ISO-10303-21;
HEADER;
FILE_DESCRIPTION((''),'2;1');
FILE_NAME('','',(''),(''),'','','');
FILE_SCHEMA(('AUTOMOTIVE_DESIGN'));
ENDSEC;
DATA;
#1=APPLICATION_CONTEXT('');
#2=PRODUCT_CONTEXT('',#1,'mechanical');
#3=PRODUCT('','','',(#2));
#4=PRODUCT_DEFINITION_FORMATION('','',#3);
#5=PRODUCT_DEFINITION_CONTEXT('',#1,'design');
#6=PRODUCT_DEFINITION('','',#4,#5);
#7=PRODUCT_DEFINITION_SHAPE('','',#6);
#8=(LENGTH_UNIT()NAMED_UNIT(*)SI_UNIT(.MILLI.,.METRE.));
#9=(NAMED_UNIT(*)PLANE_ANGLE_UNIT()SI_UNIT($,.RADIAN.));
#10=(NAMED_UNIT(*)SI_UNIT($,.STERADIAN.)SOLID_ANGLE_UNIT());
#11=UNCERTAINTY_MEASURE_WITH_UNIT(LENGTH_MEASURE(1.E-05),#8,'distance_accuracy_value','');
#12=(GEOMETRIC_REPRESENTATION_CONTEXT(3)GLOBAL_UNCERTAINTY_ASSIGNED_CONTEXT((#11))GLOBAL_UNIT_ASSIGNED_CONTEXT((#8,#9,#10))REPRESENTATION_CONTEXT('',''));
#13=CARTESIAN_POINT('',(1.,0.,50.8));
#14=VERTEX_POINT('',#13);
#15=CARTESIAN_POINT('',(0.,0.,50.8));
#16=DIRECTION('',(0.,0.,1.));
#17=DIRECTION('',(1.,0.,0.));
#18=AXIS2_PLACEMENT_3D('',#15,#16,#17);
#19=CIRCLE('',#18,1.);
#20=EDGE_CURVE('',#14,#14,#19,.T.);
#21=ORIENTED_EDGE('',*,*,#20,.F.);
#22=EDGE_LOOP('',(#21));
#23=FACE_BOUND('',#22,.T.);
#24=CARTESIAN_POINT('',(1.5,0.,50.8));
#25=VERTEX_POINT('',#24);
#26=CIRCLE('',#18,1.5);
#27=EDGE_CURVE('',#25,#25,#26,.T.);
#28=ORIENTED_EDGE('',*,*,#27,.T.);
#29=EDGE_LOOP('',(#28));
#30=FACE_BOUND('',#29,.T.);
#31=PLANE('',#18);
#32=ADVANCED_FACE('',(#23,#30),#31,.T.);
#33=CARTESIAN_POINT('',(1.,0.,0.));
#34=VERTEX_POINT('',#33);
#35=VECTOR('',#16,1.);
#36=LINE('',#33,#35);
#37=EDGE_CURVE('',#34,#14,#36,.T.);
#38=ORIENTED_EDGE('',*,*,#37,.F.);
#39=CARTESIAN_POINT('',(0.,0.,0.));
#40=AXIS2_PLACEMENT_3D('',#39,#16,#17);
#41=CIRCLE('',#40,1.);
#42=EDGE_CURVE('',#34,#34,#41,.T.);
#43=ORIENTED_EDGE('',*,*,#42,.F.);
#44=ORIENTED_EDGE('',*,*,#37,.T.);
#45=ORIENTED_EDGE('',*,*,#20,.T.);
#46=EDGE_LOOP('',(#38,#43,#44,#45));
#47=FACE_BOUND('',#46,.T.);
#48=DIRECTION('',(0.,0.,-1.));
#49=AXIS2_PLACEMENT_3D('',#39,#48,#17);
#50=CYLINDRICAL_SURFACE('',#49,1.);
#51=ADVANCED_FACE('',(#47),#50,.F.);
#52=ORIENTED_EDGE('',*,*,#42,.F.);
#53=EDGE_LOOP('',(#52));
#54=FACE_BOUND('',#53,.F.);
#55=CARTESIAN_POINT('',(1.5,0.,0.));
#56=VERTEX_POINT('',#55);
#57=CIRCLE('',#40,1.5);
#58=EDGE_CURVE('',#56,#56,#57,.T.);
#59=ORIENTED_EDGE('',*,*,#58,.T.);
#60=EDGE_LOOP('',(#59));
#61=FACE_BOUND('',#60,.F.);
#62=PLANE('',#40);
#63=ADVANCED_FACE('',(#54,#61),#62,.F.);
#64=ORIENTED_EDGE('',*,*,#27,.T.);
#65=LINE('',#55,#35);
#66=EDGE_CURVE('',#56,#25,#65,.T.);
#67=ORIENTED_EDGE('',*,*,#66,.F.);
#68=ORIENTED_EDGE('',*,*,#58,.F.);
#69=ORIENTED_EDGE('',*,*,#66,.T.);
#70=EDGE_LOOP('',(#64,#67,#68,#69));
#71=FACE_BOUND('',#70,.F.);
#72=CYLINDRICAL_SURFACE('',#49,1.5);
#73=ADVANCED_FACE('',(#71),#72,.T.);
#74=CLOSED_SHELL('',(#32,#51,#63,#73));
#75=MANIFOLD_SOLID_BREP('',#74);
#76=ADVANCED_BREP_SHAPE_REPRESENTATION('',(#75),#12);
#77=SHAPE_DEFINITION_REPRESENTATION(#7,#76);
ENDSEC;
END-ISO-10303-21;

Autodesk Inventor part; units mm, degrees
ref_plane "YZ Plane" through (0, 0, 0) normal (1, 0, 0) x (0, 1, 0)
ref_plane "XZ Plane" through (0, 0, 0) normal (0, 1, 0) x (-1, 0, 0)
ref_plane "XY Plane" through (0, 0, 0) normal (0, 0, 1) x (1, 0, 0)
sketch "Sketch1" plane through (0, 0, 0) normal (0, 0, 1) x (1, 0, 0)
  circle A0 centre (0, 0) radius 1
  circle A1 centre (0, 0) radius 1.5
  dimension "d0" = 2
  dimension "d3" = 3
extrude "Extrusion2" add sketch "Sketch1" along normal blind 50.8
properties part number "3mmHollowExpander" material "Aluminum 6061"
